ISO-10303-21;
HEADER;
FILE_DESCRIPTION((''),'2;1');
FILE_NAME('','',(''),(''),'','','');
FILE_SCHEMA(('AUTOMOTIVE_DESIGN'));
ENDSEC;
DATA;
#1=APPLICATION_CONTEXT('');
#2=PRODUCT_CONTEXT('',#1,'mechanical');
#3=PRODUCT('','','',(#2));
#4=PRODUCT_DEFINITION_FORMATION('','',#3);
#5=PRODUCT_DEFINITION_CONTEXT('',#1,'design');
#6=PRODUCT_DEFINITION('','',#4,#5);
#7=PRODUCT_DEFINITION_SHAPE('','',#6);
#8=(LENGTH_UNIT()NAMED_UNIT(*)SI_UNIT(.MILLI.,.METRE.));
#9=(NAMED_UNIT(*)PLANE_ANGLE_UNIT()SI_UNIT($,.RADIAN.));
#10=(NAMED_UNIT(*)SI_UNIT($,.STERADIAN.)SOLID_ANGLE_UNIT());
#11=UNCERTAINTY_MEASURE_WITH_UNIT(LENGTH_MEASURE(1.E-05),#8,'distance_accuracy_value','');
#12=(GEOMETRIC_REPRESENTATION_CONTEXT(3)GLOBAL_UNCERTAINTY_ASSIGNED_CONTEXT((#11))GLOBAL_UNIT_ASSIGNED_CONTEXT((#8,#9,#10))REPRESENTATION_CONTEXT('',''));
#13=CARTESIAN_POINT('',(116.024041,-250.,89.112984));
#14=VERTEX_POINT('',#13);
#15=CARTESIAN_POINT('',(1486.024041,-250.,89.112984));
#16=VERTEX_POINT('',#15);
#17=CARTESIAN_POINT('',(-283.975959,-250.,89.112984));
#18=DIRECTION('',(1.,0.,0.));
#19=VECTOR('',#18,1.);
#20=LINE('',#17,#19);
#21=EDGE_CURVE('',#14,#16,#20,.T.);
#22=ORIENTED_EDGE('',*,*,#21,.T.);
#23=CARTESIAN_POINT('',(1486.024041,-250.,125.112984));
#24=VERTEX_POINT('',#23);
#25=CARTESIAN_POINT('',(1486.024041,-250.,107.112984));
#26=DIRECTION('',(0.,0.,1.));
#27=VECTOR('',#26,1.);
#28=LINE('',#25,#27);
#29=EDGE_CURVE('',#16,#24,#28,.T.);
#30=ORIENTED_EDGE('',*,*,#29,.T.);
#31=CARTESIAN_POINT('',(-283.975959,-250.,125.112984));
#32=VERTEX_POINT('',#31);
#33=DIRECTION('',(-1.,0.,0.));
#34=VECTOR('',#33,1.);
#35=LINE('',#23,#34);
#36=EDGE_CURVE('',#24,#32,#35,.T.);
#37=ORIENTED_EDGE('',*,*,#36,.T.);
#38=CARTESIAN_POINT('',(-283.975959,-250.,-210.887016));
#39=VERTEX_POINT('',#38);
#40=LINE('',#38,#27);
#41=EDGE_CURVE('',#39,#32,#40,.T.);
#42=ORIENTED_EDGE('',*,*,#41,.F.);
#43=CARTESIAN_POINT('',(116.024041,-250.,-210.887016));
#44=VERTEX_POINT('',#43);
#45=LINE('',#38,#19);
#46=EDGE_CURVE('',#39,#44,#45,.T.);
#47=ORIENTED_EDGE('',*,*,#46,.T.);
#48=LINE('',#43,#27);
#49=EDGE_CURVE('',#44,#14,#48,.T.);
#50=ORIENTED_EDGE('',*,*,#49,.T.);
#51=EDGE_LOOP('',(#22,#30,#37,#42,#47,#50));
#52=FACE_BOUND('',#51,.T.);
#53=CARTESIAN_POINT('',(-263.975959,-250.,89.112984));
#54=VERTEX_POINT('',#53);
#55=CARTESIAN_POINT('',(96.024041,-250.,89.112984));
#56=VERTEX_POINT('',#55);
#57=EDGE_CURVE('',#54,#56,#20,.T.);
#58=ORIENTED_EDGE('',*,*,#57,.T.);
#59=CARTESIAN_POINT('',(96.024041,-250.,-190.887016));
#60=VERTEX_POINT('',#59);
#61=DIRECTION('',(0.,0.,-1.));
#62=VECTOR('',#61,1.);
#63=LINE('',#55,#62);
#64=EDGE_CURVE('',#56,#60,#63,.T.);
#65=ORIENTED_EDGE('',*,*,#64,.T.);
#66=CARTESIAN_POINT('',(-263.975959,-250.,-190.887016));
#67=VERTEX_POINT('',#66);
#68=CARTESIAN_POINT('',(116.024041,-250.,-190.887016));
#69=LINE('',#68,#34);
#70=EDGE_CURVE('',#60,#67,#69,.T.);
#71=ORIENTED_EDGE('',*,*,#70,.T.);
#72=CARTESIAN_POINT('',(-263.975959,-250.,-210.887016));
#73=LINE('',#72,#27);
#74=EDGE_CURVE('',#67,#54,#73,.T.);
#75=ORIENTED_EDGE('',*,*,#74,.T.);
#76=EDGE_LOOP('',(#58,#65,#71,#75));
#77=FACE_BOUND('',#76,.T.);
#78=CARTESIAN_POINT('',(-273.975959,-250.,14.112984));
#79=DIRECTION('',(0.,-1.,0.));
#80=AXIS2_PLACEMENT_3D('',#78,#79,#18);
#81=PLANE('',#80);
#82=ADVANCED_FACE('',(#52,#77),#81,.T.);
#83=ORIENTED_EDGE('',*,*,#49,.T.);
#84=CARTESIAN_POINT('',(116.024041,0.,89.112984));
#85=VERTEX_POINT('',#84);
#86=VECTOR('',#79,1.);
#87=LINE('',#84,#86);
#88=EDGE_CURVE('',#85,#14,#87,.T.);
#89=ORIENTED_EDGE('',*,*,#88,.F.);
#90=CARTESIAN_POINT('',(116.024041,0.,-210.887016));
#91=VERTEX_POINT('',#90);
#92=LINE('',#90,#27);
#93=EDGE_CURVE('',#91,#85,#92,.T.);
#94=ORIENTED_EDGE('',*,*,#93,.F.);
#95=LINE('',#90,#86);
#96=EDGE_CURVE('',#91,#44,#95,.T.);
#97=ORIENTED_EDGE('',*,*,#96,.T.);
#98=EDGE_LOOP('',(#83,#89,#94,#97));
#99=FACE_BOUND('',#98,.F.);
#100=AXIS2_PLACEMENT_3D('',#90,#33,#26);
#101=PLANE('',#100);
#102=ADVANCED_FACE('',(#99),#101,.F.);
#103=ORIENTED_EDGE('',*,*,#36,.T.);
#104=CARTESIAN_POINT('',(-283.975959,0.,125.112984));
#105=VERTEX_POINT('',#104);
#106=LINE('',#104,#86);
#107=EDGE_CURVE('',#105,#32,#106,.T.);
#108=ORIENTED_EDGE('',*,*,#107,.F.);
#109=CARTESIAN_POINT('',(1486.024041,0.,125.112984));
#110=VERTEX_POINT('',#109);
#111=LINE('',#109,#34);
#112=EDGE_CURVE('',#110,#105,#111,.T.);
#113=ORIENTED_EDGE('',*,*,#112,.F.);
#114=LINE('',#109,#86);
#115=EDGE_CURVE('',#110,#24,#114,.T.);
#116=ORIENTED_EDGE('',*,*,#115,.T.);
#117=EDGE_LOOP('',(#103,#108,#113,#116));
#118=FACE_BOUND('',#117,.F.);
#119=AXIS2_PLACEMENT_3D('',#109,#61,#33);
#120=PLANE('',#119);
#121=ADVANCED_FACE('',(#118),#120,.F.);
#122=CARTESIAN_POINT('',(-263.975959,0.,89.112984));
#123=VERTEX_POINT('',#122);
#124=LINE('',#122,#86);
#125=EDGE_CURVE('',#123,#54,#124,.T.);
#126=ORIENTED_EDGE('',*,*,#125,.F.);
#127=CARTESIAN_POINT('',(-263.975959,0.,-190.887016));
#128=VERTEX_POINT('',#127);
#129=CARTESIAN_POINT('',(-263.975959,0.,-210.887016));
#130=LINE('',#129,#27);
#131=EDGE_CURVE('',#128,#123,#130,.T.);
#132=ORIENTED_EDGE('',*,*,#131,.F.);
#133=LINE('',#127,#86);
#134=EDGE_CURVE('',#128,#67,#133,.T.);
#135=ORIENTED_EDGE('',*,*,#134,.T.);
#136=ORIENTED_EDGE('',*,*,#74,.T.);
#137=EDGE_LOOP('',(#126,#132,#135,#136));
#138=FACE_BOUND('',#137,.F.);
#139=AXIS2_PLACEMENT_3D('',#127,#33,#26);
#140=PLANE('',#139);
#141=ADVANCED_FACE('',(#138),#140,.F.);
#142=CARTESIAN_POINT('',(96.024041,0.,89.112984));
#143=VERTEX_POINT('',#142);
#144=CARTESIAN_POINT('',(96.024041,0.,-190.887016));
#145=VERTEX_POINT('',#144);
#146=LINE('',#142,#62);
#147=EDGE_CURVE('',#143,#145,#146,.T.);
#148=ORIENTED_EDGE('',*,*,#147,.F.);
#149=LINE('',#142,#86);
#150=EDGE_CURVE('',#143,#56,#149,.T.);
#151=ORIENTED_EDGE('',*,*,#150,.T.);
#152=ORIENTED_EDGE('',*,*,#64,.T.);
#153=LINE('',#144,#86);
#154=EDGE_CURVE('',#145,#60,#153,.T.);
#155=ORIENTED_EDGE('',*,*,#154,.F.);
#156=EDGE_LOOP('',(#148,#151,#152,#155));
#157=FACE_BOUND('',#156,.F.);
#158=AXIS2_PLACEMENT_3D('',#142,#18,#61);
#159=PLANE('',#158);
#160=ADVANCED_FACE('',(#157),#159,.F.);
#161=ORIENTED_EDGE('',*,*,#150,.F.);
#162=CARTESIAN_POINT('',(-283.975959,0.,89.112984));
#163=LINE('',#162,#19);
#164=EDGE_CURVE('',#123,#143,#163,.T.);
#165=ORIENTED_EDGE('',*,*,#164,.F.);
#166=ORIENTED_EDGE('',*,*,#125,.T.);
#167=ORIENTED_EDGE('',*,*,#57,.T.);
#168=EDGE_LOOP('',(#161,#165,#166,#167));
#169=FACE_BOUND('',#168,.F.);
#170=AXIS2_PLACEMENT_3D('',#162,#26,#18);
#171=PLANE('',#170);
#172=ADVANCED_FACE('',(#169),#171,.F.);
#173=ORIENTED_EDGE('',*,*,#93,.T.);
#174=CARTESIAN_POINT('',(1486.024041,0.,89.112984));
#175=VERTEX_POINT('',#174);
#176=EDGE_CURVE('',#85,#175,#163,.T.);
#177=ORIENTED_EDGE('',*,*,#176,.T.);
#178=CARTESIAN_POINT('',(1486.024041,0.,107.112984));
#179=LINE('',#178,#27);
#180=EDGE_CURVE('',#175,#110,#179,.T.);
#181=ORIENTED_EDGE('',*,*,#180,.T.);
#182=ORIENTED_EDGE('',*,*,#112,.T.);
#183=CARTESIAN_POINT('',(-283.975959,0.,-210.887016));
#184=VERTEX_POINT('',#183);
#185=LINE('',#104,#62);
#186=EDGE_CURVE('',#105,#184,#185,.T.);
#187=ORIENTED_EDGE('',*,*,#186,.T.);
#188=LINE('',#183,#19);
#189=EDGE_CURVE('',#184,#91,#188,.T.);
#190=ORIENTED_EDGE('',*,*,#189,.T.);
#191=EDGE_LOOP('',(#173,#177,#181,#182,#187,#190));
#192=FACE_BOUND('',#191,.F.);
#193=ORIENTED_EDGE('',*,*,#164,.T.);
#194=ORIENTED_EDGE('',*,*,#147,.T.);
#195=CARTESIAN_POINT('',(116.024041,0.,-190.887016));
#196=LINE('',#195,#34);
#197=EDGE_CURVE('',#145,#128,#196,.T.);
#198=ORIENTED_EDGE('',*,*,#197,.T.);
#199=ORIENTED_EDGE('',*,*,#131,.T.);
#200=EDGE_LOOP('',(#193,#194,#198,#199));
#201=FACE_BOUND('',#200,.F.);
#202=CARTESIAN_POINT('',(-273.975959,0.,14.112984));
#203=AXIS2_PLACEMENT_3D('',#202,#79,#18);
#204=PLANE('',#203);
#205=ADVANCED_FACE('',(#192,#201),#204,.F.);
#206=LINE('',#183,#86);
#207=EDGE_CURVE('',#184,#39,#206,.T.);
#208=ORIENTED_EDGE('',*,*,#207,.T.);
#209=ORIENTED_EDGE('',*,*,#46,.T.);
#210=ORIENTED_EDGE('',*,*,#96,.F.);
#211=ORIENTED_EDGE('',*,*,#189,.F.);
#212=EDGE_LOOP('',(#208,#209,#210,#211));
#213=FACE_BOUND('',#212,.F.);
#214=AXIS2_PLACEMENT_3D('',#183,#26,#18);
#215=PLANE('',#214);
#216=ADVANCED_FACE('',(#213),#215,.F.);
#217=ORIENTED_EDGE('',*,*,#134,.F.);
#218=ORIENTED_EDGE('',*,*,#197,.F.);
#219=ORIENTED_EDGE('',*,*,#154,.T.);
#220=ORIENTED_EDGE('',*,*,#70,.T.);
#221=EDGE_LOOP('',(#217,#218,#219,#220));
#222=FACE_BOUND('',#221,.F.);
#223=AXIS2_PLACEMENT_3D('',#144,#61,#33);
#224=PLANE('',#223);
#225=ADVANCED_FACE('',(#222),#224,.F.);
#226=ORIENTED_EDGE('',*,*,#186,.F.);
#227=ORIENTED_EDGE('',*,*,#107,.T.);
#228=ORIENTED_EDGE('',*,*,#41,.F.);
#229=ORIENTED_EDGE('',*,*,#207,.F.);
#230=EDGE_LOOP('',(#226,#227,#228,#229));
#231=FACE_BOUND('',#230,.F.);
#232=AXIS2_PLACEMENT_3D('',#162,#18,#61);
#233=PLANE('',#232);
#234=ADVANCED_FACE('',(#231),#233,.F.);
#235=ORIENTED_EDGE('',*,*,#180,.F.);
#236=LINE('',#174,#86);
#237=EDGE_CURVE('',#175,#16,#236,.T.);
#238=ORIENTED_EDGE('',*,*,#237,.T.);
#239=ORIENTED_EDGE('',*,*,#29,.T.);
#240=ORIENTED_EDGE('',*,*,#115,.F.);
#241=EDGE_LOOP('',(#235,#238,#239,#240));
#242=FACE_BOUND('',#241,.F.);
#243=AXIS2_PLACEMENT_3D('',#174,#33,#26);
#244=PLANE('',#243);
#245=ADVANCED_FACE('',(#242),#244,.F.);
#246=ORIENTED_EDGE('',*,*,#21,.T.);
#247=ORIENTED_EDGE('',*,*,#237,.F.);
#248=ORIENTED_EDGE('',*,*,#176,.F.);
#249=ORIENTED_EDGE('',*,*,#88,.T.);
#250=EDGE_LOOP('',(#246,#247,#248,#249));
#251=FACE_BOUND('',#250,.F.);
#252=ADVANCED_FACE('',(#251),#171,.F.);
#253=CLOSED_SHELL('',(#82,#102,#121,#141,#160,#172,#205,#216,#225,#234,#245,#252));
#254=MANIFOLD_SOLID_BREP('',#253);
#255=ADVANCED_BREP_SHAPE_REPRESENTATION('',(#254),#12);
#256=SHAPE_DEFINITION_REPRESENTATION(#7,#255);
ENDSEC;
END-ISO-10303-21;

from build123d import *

# Parameters (mm, degrees)
F0_W     = 1370
F0_H     = 36
F0_W_2   = 20
F0_W_3   = 360
F1_DEPTH = 250
F0_H_2   = 150
F0_H_3   = 130
F0_H_4   = 20
F2_DEPTH = 250


with BuildPart() as f1:
    # F0 (on Front) → F1 (new body)
    with BuildSketch(Plane.XZ):
        with Locations((801.0240406529, 107.1129842203)):
            Rectangle(F0_W, F0_H)
        with Locations((-273.9759593471, 107.1129842203)):
            Rectangle(F0_W_2, F0_H)
        with Locations((-83.9759593471, 107.1129842203)):
            Rectangle(F0_W_3, F0_H)
        with Locations((106.0240406529, 107.1129842203)):
            Rectangle(F0_W_2, F0_H)
    extrude(amount=F1_DEPTH)

    # F0 (on Front) → F2 (join)
    with BuildSketch(Plane.XZ):
        with Locations((-273.9759593471, 14.1129842203)):
            Rectangle(F0_W_2, F0_H_2)
        with Locations((-273.9759593471, -125.8870157797)):
            Rectangle(F0_W_2, F0_H_3)
        with Locations((-273.9759593471, -200.8870157797)):
            Rectangle(F0_W_2, F0_H_4)
        with Locations((-83.9759593471, -200.8870157797)):
            Rectangle(F0_W_3, F0_H_4)
        with Locations((106.0240406529, -200.8870157797)):
            Rectangle(F0_W_2, F0_H_4)
        with Locations((106.0240406529, -125.8870157797)):
            Rectangle(F0_W_2, F0_H_3)
        with Locations((106.0240406529, 14.1129842203)):
            Rectangle(F0_W_2, F0_H_2)
    extrude(amount=F2_DEPTH)


solid = f1.part
